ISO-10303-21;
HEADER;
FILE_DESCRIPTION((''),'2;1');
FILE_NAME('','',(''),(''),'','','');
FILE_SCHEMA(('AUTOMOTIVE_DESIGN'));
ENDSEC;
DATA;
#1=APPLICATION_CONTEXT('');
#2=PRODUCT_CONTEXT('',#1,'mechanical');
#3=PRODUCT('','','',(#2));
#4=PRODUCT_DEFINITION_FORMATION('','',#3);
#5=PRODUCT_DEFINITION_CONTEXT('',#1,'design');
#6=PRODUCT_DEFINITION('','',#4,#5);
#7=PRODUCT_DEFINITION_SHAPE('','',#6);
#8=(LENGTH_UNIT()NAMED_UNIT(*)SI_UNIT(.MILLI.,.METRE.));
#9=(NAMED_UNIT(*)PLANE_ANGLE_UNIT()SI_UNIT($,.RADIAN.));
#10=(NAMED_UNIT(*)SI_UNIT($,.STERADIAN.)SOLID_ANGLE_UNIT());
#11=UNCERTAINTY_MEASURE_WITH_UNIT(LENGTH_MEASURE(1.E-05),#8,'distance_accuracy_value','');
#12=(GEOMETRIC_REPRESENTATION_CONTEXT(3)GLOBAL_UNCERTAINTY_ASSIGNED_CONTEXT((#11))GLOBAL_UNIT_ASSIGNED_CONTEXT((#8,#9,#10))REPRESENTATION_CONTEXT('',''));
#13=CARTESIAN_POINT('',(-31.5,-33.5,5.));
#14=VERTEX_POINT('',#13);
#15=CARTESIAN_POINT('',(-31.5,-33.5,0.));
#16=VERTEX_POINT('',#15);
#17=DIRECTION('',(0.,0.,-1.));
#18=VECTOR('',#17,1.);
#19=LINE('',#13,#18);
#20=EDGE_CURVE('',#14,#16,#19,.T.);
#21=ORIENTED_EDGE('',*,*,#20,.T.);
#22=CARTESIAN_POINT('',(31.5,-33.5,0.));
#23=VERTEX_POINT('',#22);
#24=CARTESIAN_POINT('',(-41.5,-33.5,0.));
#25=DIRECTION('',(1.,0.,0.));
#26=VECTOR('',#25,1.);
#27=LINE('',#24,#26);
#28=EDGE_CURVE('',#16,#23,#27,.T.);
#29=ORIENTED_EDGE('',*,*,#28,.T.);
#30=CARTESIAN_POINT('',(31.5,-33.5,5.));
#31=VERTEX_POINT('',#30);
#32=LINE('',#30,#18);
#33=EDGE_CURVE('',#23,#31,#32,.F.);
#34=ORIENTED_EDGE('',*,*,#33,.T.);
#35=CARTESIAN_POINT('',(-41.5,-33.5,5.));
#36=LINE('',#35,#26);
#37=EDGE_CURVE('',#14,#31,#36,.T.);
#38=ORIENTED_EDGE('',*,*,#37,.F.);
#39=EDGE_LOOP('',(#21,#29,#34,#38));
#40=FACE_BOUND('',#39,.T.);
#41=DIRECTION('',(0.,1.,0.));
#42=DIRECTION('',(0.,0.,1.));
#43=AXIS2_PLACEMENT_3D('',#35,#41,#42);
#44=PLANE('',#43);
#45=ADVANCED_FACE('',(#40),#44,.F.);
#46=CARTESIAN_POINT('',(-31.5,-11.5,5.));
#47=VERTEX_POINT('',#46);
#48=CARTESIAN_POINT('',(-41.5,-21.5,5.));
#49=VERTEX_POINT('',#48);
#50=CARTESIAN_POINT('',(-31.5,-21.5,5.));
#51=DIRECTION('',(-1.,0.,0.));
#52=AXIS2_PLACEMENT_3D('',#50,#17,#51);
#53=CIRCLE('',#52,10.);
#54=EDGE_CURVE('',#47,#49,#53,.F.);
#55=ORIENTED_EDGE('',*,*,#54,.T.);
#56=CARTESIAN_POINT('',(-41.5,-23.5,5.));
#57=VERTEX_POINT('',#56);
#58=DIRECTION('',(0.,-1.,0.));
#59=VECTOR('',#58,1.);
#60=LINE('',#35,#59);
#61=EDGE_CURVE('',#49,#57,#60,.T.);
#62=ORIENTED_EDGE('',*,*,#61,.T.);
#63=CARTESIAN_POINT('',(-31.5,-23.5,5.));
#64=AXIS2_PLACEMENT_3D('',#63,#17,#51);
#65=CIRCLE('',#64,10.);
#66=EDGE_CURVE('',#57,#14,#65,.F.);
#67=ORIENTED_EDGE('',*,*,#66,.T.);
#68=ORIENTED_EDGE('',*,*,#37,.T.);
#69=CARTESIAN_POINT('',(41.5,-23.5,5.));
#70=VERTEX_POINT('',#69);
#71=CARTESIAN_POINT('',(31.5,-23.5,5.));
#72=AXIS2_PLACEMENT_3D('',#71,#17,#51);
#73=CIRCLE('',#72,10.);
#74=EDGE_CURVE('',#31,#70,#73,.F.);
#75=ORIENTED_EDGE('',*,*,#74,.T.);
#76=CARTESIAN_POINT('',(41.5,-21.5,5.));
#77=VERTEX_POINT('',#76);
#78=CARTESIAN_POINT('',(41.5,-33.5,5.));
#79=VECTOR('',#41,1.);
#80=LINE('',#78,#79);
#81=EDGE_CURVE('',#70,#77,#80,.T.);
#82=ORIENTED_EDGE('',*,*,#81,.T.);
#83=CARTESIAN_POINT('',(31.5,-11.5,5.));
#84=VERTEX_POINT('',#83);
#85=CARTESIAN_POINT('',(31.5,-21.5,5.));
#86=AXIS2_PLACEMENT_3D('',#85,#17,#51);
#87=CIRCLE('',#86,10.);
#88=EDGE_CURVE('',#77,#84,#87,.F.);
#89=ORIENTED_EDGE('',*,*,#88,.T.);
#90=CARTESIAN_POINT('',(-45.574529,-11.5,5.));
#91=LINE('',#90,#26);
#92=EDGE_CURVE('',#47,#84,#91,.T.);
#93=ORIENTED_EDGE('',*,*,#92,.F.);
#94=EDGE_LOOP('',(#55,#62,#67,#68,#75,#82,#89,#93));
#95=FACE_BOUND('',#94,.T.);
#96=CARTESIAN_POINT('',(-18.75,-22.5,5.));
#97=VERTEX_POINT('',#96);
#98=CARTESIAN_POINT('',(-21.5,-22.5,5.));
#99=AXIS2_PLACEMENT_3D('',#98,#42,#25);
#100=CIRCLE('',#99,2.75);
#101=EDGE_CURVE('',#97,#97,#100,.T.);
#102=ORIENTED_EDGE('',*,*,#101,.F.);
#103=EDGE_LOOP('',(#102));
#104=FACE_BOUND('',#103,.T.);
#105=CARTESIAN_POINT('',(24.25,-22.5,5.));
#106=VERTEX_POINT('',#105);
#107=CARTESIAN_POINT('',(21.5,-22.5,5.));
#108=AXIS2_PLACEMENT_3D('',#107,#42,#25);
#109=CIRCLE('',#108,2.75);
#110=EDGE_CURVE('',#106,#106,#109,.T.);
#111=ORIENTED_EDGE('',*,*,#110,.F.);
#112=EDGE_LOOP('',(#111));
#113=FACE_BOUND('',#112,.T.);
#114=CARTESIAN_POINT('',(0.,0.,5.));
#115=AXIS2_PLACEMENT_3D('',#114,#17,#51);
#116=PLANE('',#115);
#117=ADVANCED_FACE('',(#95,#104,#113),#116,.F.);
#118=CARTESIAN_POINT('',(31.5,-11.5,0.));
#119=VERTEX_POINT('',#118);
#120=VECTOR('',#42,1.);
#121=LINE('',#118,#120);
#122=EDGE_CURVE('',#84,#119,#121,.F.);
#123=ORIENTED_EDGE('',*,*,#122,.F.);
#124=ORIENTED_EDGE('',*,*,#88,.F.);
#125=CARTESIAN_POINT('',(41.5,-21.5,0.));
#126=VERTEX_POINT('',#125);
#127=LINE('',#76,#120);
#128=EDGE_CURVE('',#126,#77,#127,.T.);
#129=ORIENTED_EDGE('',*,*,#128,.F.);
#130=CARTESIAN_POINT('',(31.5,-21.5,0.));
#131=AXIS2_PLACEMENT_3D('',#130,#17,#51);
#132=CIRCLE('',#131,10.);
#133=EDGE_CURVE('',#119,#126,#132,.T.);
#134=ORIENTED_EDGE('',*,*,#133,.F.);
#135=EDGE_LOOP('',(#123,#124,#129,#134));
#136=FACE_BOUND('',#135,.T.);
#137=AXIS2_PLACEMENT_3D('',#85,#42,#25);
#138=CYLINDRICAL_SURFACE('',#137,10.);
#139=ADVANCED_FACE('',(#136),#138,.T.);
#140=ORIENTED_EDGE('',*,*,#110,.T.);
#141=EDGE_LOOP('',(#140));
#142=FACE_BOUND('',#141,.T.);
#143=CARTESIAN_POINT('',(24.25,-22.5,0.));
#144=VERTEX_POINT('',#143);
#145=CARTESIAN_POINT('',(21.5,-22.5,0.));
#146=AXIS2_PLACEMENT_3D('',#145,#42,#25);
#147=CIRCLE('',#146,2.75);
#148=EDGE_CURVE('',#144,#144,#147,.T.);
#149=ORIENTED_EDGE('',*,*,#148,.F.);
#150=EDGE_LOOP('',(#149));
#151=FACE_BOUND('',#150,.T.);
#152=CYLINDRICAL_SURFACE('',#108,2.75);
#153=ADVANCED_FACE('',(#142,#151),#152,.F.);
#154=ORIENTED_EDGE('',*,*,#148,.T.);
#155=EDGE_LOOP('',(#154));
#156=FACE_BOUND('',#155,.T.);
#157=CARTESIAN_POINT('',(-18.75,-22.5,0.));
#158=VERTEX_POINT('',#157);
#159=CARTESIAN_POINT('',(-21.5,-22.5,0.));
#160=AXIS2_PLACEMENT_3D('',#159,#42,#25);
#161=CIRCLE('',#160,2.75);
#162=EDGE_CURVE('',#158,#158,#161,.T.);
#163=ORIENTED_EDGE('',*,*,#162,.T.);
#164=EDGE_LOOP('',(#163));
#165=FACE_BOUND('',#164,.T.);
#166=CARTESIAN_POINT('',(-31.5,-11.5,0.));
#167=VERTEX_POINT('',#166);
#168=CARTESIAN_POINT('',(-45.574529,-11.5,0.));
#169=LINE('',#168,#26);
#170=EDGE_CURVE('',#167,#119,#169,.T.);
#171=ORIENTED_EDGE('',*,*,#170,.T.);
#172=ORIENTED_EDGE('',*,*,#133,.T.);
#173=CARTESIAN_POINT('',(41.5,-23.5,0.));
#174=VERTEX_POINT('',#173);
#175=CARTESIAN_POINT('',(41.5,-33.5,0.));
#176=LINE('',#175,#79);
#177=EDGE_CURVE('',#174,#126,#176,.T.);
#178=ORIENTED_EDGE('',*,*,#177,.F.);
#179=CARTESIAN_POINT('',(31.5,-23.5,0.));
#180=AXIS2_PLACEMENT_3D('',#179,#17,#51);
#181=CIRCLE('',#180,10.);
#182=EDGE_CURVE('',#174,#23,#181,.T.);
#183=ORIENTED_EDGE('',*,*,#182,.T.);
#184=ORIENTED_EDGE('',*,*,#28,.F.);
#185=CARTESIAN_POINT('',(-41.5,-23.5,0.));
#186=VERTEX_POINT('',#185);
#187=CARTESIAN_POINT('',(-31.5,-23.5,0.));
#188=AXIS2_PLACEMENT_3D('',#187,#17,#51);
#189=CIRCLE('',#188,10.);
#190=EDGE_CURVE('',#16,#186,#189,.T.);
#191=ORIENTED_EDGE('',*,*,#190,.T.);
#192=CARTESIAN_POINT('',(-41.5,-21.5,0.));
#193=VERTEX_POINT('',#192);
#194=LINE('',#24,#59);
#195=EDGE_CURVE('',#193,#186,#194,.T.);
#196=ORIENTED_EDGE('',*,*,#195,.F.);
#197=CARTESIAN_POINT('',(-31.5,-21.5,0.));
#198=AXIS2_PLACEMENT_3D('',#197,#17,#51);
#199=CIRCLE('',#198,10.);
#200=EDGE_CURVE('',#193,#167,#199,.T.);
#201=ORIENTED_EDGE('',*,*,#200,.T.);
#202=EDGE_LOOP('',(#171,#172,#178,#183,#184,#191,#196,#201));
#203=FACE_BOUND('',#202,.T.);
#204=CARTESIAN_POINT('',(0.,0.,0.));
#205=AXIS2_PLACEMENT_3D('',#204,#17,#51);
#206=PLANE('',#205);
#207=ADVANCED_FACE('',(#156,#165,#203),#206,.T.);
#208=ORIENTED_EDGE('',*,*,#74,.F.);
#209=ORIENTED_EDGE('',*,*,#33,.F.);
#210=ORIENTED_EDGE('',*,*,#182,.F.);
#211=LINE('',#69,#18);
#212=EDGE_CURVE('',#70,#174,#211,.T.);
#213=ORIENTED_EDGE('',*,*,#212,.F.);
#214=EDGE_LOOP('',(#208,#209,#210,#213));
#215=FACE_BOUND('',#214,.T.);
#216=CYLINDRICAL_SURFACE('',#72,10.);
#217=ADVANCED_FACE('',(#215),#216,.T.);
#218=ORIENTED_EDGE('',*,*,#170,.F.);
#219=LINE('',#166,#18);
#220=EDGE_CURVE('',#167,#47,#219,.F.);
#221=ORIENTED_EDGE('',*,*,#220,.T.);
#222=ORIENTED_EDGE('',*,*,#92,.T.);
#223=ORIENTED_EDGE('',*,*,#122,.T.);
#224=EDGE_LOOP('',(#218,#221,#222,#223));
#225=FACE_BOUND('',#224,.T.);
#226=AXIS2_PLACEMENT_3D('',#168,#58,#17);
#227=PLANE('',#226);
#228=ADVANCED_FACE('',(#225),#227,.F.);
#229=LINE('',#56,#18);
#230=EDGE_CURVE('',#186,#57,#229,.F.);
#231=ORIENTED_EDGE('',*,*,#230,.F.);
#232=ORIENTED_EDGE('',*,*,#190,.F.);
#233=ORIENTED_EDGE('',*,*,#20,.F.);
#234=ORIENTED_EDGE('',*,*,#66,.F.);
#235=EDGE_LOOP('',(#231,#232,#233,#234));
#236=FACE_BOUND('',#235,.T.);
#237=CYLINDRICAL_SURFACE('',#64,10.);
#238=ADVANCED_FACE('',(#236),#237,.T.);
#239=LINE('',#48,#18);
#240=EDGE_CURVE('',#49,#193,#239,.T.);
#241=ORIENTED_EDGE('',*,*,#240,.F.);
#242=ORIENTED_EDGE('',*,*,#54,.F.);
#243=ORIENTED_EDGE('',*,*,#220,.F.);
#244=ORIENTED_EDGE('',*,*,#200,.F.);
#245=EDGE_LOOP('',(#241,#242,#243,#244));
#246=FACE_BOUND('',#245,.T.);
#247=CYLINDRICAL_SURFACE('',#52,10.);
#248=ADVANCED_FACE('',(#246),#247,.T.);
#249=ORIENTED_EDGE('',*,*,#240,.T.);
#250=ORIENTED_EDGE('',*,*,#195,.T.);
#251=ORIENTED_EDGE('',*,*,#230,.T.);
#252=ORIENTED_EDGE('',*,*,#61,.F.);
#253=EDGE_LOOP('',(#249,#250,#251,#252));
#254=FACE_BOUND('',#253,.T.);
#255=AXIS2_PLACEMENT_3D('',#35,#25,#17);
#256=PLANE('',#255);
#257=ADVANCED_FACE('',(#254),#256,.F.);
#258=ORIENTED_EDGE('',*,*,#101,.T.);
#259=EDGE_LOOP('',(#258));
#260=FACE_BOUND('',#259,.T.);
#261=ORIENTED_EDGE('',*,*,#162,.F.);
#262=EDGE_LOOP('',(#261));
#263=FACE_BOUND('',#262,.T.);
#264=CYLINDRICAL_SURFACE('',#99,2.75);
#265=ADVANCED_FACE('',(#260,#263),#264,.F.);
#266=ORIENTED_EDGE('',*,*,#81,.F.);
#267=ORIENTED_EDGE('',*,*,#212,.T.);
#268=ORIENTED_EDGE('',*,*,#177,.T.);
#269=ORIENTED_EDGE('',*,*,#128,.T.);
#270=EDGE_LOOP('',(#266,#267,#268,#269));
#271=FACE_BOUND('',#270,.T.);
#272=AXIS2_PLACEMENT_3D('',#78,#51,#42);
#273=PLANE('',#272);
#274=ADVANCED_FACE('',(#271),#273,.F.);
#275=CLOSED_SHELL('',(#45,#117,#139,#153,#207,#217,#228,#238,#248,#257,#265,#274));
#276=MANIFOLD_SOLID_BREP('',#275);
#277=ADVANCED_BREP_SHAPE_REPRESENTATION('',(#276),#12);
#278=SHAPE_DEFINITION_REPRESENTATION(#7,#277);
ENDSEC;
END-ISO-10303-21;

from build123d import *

# Parameters (mm, degrees)
SKETCH1_W            = 83
SKETCH1_H            = 67
BOSS_EXTRUDE1_DEPTH  = 5
M5_CLEARANCE_HOLE1_D = 5.5
M3_CLEARANCE_HOLE1_D = 3.4
SKETCH6_R            = 11.05
CUT_EXTRUDE1_DEPTH   = 6
FILLET1_R            = 10
SKETCH7_W            = 96.913580025
SKETCH7_H            = 48.46217056
CUT_EXTRUDE2_DEPTH   = 6
FILLET2_R            = 10


with BuildPart() as part:
    # Sketch1 → Boss-Extrude1 (new body)
    with BuildSketch(Plane.XY):
        Rectangle(SKETCH1_W, SKETCH1_H)
    extrude(amount=BOSS_EXTRUDE1_DEPTH)

    # M5 Clearance Hole1 (through all)
    with Locations(Plane.XY.offset(5)):
        with Locations((21.5, -22.5), (-21.5, -22.5)):
            Hole(M5_CLEARANCE_HOLE1_D / 2)

    # M3 Clearance Hole1 (through all)
    with Locations(Plane(origin=(0, 0, 0), x_dir=(-1, 0, 0), z_dir=(0, 0, -1))):
        with Locations((-32.041076253, 28.00000478), (-1.041076253, 28.00000478), (-1.041076253, -2.99999522), (-32.041076253, -2.99999522)):
            Hole(M3_CLEARANCE_HOLE1_D / 2)

    # Sketch6 → Cut-Extrude1 (cut, through all)
    with BuildSketch(Plane.XY.offset(5)):
        with Locations((16.541076624, 12.500005008)):
            Circle(SKETCH6_R)
    extrude(amount=-CUT_EXTRUDE1_DEPTH, mode=Mode.SUBTRACT)

    # Fillet1
    fillet1_edges = [part.edges().sort_by_distance(p)[0] for p in [
        (41.5, -33.5, 2.5),
        (-41.5, -33.5, 2.5),
        (-41.5, 33.5, 2.5),
        (41.5, 33.5, 2.5),
    ]]
    fillet(fillet1_edges, radius=FILLET1_R)

    # Sketch7 → Cut-Extrude2 (cut, through all)
    with BuildSketch(Plane.XY.offset(5)):
        with Locations((2.882260535, 12.73108528)):
            Rectangle(SKETCH7_W, SKETCH7_H)
    extrude(amount=-CUT_EXTRUDE2_DEPTH, mode=Mode.SUBTRACT)

    # Fillet2
    fillet2_edges = [part.edges().sort_by_distance(p)[0] for p in [
        (41.5, -11.5, 2.5),
        (-41.5, -11.5, 2.5),
    ]]
    fillet(fillet2_edges, radius=FILLET2_R)


solid = part.part
